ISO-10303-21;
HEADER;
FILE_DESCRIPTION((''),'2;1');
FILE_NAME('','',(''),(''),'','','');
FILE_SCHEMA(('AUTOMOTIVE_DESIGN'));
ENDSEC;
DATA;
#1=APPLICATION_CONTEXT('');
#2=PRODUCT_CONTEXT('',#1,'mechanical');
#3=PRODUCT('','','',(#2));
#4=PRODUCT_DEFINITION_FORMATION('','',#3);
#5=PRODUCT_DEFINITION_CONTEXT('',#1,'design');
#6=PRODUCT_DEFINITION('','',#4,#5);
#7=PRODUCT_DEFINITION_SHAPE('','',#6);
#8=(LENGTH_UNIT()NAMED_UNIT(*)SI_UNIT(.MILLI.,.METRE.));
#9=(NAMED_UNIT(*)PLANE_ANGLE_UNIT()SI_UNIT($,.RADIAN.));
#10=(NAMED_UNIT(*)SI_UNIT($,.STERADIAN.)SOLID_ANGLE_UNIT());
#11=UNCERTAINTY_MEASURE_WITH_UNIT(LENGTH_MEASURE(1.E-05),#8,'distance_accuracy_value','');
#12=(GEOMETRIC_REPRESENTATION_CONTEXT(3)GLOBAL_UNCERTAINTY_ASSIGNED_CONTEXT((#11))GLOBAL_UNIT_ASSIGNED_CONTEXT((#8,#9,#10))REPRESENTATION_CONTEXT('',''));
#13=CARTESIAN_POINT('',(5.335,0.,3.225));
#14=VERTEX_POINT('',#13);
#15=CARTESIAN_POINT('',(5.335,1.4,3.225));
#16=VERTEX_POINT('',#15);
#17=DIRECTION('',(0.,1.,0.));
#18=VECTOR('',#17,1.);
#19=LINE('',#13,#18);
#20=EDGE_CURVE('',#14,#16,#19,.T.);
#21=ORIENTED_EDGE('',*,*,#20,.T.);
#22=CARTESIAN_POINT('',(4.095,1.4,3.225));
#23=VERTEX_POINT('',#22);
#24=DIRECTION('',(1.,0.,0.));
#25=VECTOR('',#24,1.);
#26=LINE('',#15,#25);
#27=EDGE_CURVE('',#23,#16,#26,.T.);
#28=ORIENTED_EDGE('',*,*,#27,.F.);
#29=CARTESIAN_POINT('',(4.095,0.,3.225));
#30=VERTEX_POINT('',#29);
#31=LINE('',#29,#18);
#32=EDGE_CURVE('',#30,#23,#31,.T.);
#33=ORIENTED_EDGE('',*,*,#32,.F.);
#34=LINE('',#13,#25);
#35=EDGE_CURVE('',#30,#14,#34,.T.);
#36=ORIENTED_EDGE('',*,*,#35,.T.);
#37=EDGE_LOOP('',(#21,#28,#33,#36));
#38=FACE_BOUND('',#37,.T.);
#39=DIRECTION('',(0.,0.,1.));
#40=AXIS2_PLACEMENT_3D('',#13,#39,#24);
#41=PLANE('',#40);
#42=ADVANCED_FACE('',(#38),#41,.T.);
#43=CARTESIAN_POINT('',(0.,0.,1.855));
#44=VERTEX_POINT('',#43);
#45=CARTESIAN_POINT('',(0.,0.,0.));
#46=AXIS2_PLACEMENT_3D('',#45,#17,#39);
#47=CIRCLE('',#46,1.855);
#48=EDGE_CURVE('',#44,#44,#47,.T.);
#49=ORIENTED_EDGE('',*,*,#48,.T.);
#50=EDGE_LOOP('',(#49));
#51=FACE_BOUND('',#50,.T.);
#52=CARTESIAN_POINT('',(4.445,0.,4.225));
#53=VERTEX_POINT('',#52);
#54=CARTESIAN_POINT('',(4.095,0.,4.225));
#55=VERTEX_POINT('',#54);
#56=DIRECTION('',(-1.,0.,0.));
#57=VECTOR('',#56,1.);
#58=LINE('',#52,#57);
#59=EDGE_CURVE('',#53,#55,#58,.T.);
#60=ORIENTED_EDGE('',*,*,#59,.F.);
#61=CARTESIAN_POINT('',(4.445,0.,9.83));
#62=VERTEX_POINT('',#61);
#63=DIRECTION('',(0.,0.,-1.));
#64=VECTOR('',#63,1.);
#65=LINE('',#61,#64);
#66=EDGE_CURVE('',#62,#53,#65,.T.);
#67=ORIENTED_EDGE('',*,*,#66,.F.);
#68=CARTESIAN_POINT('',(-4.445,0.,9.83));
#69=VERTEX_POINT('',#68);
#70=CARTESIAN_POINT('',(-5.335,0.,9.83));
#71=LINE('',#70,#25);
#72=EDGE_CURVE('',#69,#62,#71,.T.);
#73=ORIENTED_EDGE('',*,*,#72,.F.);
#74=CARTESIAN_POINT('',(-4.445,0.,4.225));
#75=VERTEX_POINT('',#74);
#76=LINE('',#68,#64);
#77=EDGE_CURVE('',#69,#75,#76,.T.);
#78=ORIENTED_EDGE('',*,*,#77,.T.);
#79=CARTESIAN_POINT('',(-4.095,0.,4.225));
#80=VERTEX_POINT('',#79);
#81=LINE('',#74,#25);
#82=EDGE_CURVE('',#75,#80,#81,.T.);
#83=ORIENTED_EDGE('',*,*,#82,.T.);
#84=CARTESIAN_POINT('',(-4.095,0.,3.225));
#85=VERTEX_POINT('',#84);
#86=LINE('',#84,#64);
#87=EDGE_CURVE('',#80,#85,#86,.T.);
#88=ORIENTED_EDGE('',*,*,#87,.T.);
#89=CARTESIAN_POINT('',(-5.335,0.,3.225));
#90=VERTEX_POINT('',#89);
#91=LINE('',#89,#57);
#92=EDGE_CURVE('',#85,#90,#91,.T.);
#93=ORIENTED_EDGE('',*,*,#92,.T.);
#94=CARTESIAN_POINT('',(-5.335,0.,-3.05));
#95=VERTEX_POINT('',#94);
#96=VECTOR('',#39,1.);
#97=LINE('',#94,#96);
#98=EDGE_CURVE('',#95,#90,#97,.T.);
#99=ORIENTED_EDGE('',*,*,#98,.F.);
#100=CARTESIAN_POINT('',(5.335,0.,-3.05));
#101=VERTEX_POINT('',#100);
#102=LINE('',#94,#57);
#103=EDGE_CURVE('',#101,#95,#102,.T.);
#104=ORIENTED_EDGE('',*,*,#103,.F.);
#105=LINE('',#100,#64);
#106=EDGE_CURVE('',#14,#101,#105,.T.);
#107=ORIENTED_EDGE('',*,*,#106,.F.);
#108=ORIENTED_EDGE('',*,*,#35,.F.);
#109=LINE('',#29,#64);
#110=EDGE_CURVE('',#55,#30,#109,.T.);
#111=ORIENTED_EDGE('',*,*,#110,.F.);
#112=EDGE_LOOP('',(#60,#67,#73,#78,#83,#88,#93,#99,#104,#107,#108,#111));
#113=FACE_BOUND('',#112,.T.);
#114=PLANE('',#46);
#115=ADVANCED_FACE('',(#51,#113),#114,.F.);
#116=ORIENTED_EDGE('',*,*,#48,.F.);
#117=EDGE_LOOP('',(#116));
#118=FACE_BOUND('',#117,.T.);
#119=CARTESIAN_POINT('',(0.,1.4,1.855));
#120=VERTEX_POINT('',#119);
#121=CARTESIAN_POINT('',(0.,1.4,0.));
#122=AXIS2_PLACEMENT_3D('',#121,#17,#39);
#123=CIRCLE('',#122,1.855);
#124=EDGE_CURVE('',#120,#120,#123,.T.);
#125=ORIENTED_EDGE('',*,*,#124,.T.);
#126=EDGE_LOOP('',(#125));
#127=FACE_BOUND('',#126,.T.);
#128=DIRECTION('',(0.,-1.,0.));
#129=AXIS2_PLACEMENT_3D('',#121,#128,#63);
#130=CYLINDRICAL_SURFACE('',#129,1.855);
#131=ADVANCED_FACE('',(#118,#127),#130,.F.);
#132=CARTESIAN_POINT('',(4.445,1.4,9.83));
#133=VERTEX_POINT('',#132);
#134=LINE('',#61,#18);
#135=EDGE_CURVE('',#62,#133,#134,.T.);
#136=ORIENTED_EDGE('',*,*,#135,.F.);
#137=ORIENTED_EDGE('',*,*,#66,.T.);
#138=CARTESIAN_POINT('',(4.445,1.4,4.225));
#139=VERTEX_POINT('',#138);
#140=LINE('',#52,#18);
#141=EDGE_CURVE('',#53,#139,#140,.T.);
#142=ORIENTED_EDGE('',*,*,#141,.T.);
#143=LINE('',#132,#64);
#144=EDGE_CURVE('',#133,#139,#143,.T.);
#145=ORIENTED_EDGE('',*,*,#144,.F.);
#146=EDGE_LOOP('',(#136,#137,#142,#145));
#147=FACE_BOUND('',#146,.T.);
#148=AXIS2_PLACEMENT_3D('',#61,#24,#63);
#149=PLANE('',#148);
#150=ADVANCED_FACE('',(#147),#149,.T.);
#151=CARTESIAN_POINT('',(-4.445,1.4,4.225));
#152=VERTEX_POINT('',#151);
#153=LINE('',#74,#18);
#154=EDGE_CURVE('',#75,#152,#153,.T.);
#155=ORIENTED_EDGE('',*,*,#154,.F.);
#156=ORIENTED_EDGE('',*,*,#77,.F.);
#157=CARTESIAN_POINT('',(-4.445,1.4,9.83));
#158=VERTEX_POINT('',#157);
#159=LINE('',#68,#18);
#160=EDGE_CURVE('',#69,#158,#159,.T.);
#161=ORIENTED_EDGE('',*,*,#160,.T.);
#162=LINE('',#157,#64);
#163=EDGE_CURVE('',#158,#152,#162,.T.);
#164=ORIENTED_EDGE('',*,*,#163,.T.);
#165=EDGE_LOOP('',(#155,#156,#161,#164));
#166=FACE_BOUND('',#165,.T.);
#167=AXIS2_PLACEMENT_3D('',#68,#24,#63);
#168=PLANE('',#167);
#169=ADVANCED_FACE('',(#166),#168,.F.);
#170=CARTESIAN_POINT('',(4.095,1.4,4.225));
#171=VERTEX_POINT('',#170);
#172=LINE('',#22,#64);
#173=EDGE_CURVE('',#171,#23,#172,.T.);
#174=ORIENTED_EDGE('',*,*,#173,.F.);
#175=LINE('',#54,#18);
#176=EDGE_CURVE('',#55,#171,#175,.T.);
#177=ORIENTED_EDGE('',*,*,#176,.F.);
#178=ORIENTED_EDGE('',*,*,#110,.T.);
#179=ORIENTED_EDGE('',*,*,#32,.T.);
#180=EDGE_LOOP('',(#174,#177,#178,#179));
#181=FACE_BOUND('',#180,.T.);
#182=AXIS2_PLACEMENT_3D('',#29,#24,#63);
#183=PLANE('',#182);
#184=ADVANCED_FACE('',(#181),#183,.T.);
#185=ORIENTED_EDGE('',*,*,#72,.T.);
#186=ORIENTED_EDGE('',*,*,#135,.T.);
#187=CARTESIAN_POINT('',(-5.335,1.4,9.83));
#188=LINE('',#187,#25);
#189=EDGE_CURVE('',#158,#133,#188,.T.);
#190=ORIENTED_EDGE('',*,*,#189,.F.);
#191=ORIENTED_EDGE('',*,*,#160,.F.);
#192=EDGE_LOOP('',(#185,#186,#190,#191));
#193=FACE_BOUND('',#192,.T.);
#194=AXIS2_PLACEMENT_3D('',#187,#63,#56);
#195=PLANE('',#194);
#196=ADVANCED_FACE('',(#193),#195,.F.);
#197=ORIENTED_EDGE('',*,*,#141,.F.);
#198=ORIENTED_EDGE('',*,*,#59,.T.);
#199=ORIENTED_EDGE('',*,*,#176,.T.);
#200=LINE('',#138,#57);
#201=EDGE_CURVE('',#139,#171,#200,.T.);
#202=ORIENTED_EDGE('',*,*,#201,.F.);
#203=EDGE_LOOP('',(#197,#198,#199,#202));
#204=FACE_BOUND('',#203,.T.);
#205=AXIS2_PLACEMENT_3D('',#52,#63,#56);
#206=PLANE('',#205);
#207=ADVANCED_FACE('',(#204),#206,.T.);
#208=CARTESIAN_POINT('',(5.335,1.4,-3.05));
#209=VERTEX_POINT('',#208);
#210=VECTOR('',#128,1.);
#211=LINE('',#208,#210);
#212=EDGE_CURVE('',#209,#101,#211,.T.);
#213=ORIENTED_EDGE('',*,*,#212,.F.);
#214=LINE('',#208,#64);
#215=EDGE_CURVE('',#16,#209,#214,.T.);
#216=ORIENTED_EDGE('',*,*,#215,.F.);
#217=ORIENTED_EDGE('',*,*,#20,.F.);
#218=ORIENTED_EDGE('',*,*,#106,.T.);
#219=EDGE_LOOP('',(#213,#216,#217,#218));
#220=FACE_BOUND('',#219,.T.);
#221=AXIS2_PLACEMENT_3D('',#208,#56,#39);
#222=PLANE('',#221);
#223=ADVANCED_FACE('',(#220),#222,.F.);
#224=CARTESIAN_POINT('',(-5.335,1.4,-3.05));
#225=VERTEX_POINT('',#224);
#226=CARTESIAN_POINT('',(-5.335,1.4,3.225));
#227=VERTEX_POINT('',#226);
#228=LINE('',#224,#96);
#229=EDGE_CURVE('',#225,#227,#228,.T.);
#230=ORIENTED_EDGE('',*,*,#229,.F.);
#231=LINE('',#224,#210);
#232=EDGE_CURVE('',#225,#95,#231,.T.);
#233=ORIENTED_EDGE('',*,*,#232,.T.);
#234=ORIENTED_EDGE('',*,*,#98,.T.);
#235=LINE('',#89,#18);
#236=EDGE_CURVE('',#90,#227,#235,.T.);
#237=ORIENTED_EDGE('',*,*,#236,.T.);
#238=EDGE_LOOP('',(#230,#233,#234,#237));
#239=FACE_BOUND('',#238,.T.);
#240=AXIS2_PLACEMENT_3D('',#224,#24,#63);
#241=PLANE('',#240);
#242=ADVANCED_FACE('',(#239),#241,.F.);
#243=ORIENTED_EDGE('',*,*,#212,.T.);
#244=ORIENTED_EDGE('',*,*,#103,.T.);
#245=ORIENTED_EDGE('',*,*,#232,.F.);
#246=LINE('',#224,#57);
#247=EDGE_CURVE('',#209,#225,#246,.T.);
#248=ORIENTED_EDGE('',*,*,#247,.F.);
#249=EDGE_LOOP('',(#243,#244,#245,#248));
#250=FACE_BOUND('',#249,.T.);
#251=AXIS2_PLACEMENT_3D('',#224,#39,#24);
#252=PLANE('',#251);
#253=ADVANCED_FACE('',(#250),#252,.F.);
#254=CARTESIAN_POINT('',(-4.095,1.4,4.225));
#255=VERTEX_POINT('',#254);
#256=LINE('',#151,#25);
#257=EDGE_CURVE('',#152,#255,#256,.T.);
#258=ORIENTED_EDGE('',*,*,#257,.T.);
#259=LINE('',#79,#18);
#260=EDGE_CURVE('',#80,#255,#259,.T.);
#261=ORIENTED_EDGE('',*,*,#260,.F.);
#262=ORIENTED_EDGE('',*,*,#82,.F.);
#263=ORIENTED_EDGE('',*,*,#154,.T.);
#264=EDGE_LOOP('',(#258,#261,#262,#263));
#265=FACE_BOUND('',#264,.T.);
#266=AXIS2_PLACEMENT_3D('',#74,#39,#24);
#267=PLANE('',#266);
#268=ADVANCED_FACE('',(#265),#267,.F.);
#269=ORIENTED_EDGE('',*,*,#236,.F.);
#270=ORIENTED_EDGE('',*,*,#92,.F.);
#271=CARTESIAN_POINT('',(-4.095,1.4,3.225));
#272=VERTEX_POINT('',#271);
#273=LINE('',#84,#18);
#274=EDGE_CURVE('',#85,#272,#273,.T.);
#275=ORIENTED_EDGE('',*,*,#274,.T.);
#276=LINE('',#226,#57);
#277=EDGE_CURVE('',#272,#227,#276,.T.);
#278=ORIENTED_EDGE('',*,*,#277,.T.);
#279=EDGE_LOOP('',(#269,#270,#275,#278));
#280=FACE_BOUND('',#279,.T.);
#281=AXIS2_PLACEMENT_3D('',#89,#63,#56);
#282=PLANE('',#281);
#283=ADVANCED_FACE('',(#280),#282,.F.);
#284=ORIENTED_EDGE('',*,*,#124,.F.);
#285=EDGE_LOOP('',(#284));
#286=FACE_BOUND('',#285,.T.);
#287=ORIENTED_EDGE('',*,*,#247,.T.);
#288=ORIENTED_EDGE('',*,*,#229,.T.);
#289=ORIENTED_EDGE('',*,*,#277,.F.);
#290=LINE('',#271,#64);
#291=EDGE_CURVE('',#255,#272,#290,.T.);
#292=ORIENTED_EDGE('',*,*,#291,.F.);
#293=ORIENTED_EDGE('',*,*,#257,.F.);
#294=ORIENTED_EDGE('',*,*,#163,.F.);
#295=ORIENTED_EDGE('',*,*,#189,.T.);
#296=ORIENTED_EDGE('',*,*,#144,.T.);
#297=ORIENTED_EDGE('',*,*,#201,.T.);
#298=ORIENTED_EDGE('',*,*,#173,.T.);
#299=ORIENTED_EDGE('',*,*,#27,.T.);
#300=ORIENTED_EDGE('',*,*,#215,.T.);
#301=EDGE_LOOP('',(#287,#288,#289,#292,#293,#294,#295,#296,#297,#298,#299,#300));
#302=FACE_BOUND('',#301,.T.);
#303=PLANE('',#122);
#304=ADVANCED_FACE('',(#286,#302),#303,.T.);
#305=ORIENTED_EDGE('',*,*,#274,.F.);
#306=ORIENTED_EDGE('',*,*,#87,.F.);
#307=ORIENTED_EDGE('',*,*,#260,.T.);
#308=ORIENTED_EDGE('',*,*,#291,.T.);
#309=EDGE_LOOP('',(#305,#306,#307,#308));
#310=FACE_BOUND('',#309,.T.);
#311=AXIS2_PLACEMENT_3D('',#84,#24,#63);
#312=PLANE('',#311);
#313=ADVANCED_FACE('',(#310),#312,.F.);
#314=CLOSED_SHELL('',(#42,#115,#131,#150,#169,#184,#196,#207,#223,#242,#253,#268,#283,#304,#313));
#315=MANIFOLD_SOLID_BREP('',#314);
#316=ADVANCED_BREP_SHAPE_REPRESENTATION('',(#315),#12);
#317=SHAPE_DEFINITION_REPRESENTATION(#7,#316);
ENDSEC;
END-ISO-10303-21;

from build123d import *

# Parameters (mm, degrees)
SKETCH1_W           = 10.67
SKETCH1_H           = 12.88
SKETCH1_R           = 1.855
BOSS_EXTRUDE1_DEPTH = 1.4
SKETCH2_W           = 0.89
SKETCH2_H           = 6.605
CUT_EXTRUDE1_DEPTH  = 2.4
SKETCH3_W           = 0.35
SKETCH3_H           = 1
CUT_EXTRUDE2_DEPTH  = 2.4


with BuildPart() as part:
    # Sketch1 → Boss-Extrude1 (new body)
    with BuildSketch(Plane(origin=(0, 0, 0), x_dir=(1, 0, 0), z_dir=(0, 1, 0))):
        with Locations((0, -3.39)):
            Rectangle(SKETCH1_W, SKETCH1_H)
        Circle(SKETCH1_R, mode=Mode.SUBTRACT)
    extrude(amount=BOSS_EXTRUDE1_DEPTH)

    # Sketch2 → Cut-Extrude1 (cut, through all)
    with BuildSketch(Plane(origin=(0, 1.4, 0), x_dir=(1, 0, 0), z_dir=(0, 1, 0))):
        with Locations((-4.89, -6.5275)):
            Rectangle(SKETCH2_W, SKETCH2_H)
    cut_extrude1 = extrude(amount=-CUT_EXTRUDE1_DEPTH, mode=Mode.SUBTRACT)

    # Mirror1: Cut-Extrude1 across plane
    add(cut_extrude1.mirror(Plane(origin=(0, 0, 0), x_dir=(0, 0, 1), z_dir=(1, 0, 0))), mode=Mode.SUBTRACT)

    # Sketch3 → Cut-Extrude2 (cut, through all)
    with BuildSketch(Plane(origin=(0, 1.4, 0), x_dir=(1, 0, 0), z_dir=(0, 1, 0))):
        with Locations((-4.27, -3.725)):
            Rectangle(SKETCH3_W, SKETCH3_H)
    cut_extrude2 = extrude(amount=-CUT_EXTRUDE2_DEPTH, mode=Mode.SUBTRACT)

    # Mirror2: Cut-Extrude2 across plane
    add(cut_extrude2.mirror(Plane(origin=(0, 0, 0), x_dir=(0, 0, 1), z_dir=(1, 0, 0))), mode=Mode.SUBTRACT)


solid = part.part
